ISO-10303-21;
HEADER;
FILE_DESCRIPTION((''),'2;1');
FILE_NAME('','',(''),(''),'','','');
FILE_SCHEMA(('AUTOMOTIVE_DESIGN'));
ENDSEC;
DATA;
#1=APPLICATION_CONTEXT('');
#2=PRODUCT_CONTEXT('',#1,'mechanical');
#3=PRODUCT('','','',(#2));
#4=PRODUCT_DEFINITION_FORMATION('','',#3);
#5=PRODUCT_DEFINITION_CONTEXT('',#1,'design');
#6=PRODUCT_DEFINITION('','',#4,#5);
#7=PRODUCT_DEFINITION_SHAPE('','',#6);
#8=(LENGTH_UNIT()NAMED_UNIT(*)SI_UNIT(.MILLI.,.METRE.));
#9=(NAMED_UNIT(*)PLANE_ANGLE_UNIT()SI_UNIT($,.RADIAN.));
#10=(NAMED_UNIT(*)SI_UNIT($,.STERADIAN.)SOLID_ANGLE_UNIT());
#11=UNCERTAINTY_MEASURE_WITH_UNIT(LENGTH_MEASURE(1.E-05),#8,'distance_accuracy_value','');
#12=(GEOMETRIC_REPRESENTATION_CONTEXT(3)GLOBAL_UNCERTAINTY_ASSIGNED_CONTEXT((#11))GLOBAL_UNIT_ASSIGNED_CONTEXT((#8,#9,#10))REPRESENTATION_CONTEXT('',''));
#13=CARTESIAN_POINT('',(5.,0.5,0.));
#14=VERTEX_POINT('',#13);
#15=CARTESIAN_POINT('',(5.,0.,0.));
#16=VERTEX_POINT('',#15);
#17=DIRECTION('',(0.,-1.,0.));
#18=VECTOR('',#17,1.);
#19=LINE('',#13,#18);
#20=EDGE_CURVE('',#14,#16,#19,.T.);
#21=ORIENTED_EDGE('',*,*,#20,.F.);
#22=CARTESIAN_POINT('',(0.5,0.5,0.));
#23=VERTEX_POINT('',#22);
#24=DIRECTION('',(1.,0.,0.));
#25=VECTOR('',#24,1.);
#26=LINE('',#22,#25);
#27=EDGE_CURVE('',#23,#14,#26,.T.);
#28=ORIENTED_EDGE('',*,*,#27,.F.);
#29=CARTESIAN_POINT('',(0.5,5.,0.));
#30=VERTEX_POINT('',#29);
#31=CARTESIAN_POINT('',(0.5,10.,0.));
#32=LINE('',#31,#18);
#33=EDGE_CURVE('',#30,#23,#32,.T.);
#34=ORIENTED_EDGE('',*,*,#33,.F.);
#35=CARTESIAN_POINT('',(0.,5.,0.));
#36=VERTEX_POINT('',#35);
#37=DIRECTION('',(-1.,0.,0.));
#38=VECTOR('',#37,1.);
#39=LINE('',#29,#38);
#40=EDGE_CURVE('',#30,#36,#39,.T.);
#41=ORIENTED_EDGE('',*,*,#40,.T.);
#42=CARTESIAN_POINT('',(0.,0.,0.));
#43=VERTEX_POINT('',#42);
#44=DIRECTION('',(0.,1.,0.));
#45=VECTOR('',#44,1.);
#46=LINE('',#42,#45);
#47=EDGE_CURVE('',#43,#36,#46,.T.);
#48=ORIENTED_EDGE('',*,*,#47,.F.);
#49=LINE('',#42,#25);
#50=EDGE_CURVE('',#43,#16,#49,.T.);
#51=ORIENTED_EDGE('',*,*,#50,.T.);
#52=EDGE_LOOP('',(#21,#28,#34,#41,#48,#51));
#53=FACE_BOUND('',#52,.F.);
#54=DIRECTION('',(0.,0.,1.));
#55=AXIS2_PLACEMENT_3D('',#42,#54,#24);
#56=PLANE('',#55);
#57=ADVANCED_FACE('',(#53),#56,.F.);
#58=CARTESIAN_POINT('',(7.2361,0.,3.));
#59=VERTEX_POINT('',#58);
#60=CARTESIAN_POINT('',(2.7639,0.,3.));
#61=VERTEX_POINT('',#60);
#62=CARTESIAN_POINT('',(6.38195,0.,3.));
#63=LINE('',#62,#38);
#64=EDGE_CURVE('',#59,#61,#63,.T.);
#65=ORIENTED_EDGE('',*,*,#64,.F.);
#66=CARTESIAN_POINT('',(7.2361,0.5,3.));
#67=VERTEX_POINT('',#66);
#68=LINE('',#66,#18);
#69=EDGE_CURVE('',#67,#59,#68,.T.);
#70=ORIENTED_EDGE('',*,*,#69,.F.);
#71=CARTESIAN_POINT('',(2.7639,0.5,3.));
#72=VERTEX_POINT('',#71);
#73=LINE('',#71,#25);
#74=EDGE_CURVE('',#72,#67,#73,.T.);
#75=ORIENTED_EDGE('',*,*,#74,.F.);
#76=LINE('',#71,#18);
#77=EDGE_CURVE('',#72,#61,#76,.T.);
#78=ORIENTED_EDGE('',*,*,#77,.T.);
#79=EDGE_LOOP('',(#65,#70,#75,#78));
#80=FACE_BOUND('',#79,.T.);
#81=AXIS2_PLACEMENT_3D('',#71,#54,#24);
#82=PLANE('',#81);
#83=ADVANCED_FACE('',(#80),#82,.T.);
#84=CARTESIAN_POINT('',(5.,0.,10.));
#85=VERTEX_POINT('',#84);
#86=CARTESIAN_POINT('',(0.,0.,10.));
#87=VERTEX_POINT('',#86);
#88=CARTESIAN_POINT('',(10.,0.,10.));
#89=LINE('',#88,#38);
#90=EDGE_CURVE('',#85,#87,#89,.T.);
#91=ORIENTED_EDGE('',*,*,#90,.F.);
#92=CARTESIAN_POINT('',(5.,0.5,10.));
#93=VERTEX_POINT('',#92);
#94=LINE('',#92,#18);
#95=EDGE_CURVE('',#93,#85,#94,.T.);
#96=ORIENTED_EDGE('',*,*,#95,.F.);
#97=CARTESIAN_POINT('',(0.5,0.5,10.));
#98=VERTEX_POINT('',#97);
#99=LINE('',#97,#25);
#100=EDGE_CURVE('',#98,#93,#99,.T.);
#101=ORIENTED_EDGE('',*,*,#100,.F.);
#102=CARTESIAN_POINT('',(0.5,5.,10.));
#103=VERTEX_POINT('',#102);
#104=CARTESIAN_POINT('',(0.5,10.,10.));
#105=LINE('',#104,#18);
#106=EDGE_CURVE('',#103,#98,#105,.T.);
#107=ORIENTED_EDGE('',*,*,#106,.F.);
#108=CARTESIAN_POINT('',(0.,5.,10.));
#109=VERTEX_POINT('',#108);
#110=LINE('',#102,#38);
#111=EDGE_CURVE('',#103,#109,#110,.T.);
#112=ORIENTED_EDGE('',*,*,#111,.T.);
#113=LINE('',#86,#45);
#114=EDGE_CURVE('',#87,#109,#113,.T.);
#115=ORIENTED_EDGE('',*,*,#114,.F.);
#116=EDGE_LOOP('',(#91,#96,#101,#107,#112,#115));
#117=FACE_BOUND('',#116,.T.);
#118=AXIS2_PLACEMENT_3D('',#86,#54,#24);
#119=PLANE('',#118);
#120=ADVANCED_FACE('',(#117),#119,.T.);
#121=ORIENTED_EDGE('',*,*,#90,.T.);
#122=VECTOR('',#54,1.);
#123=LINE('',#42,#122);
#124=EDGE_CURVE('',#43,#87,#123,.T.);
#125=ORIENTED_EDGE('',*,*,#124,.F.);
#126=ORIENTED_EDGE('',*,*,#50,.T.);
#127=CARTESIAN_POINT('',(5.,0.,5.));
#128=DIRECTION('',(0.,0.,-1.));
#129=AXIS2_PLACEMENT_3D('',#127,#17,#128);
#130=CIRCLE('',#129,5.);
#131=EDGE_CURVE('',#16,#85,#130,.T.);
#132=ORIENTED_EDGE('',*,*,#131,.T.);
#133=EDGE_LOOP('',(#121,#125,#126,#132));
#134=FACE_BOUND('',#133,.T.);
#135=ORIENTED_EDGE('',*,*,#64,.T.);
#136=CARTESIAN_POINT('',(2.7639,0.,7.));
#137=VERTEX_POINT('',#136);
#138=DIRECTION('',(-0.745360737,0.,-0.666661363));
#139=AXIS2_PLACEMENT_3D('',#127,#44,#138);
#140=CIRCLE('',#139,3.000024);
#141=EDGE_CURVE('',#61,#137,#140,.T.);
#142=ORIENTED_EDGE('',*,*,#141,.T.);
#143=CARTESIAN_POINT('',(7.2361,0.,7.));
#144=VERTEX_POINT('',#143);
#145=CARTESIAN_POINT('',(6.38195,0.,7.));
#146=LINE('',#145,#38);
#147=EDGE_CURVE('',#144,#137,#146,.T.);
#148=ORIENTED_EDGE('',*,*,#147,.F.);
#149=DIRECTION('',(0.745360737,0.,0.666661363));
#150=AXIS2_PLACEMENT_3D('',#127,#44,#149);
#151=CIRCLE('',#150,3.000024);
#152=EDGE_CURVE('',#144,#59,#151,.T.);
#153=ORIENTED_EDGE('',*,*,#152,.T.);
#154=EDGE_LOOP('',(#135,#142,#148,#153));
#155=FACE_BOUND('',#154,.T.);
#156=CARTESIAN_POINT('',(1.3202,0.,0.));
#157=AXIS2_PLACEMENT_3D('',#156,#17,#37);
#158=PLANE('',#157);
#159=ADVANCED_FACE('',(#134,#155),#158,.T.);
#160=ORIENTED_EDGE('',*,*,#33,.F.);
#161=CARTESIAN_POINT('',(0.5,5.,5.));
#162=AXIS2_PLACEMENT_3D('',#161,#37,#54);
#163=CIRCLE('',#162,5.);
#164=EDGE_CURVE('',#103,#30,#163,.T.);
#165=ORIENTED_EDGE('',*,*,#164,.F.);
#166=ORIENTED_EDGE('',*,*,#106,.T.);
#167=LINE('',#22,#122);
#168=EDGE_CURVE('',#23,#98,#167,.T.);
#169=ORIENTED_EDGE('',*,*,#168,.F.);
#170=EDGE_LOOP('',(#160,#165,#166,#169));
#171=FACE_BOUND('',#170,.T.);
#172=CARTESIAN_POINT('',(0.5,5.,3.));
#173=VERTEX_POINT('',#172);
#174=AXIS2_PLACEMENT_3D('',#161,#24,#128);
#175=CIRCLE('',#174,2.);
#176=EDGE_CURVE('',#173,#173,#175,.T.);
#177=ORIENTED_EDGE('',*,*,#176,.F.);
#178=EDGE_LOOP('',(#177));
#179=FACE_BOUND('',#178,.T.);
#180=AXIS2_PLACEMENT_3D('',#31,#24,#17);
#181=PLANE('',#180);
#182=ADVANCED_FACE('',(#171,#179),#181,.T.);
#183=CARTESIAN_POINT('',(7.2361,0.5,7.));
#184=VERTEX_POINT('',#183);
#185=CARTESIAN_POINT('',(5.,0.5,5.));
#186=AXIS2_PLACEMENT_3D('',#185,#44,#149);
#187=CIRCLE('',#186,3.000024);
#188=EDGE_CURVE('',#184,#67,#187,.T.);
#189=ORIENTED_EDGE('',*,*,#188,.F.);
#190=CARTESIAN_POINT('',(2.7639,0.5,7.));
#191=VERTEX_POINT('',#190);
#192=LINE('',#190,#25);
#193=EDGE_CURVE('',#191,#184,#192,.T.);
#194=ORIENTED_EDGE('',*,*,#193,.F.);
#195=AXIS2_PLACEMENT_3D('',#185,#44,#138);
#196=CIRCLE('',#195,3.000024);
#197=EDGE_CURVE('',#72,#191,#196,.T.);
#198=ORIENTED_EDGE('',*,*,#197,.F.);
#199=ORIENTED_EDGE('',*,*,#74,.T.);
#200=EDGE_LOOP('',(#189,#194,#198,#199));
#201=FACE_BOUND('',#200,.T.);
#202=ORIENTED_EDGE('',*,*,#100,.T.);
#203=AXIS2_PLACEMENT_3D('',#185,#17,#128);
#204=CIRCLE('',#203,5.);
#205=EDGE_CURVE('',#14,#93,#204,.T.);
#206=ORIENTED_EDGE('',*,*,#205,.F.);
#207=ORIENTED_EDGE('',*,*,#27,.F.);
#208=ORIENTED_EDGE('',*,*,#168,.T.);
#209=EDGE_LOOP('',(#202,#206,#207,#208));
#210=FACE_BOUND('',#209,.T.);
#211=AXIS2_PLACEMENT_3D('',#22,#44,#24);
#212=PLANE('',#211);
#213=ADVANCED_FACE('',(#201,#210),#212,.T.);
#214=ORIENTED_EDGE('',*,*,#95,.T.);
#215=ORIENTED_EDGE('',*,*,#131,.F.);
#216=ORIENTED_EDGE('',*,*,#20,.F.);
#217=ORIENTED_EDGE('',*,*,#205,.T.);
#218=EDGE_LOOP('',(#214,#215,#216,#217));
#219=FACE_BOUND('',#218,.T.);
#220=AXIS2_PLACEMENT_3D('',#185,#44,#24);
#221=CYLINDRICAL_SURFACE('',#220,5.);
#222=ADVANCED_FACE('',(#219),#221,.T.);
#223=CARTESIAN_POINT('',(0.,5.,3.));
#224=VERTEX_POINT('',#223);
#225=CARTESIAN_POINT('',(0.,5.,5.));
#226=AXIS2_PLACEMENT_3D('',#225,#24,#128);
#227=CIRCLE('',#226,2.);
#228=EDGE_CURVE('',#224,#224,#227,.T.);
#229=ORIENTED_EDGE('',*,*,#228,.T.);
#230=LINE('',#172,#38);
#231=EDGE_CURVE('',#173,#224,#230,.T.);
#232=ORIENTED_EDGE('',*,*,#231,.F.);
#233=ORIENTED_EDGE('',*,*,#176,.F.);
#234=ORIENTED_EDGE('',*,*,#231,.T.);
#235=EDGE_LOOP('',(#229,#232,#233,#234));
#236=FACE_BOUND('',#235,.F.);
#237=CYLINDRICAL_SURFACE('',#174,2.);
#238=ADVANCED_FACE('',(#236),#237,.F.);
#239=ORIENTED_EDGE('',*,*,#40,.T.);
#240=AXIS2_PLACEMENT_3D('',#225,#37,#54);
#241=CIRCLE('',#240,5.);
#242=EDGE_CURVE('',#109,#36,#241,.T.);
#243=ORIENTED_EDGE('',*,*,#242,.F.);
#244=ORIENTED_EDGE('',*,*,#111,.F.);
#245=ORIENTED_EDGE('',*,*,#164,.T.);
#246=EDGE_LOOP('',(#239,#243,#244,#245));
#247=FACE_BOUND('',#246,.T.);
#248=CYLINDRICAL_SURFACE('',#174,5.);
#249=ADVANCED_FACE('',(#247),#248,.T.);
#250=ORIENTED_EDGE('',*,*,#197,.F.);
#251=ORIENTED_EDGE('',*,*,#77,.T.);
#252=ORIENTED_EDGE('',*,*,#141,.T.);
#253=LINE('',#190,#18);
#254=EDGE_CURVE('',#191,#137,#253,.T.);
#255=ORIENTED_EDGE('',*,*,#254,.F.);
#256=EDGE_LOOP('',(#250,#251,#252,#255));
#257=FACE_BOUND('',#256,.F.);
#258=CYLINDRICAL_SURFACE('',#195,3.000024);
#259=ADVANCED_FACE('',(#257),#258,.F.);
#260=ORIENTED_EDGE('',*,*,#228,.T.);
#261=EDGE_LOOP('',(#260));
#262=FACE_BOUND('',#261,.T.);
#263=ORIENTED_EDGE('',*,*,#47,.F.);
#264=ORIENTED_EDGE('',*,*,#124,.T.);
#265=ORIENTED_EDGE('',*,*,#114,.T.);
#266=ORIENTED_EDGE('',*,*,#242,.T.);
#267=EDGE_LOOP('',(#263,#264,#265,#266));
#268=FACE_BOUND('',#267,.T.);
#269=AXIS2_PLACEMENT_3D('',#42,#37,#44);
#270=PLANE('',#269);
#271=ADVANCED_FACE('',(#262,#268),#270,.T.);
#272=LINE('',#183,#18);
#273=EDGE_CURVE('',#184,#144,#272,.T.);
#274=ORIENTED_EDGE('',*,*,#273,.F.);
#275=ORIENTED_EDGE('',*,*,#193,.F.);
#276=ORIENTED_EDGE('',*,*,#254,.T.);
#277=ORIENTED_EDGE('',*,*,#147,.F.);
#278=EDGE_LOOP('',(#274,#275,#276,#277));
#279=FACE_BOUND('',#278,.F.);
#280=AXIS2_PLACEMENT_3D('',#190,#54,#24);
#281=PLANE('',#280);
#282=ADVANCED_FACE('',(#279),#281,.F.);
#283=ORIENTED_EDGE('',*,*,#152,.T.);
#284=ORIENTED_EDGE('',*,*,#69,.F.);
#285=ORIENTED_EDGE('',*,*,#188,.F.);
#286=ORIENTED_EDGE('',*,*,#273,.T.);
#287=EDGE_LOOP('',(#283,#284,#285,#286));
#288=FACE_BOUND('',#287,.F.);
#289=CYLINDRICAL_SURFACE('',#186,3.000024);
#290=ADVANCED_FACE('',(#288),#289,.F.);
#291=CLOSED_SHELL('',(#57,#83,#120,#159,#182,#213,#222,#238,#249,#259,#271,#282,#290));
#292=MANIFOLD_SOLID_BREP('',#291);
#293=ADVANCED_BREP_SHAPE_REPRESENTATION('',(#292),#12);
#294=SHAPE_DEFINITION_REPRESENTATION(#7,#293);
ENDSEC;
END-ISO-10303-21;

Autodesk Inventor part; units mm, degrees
ref_plane "YZ Plane" through (0, 0, 0) normal (1, 0, 0) x (0, 1, 0)
ref_plane "XZ Plane" through (0, 0, 0) normal (0, 1, 0) x (-1, 0, 0)
ref_plane "XY Plane" through (0, 0, 0) normal (0, 0, 1) x (1, 0, 0)
sketch "Náčrt1" plane through (0, 0, 0) normal (0, 0, 1) x (1, 0, 0)
  line L0 (1.3202, 0) -> (0, 0)
  line L1 (0, 0) -> (0, 10)
  line L2 (0, 10) -> (0.5, 10)
  line L3 (0.5, 10) -> (0.5, 0.5)
  line L4 (0.5, 0.5) -> (10, 0.5)
  line L5 (10, 0.5) -> (10, 0)
  line L6 (10, 0) -> (1.3202, 0)
  point P0 (10, 0.25)
  point P1 (0.25, 10)
  dimension "d0" = 0.5
  dimension "d1" = 0.5
  dimension "d2" = 10
  dimension "d3" = 10
extrude "Vysunutí1" add sketch "Náčrt1" along normal blind 10
sketch "Náčrt2" plane through (0.5, 0.5, 0) normal (0, 1, 0) x (1, 0, 0)
  line L0 (9.5, 0) -> (0, 0) projected
  line L1 (9.5, 0) -> (9.5, -10) projected
  line L2 (2.2639, -3) -> (6.7361, -3)
  line L3 (2.2639, -7) -> (6.7361, -7)
  arc A0 (2.2639, -3) -> (2.2639, -7) centre (4.5, -5) ccw
  arc A1 (6.7361, -7) -> (6.7361, -3) centre (4.5, -5) ccw
  point P0 (-0.5, 0)
  point P1 (4.8669, -7)
  dimension "d7" = 5
  dimension "d8" = 5
  dimension "d9" = 2
  dimension "d10" = 4
extrude "Vysunutí2" cut sketch "Náčrt2" against normal through all
pattern_linear "Obdélníkové pole1" count 10 spacing 10 along (0, 0, 1) of "Vysunutí2"
sketch "Náčrt4" plane through (0.5, 0.5, 0) normal (1, 0, 0) x (0, 0, -1)
  line L0 (0, 0) -> (0, 9.5) projected
  line L1 (0, 9.5) -> (-10, 9.5) projected
  line L2 (-10, 0) -> (-10, 9.5) projected
  circle A0 centre (-5, 4.5) radius 2
  point P0 (0, -0.5)
  point P1 (-5, 9.5)
  point P2 (0, 4.5)
  point P3 (-10, 4.5)
  point P4 (-95, 9.5)
  dimension "d30" = 4
extrude "Vysunutí4" cut sketch "Náčrt4" against normal blind 10
sketch "Náčrt5" plane through (0.5, 0.5, 10) normal (1, 0, 0) x (0, 0, -1)
  circle A0 centre (5, 4.5) radius 2
  line L0 (10, 9.5) -> (0, 9.5) projected
  line L1 (0, 0) -> (0, 9.5) projected
  point P0 (10, -0.5)
  point P1 (95, 9.5)
  point P2 (5, 9.5)
  point P3 (0, 4.5)
  dimension "d33" = 4
  dimension "d34" = 5
  dimension "d35" = 5
extrude "Vysunutí5" cut sketch "Náčrt5" against normal blind 10
pattern_linear "Obdélníkové pole3" count 10 spacing 10 along (0, 0, -1) of "Vysunutí5"
sketch "Náčrt6" plane through (0.5, 0.5, 0) normal (0, 1, 0) x (1, 0, 0)
  circle A0 centre (4.5, -5) radius 5
  line L0 (9.5, 0) -> (9.5, -10) projected
  line L1 (9.5, -10) -> (0, -10) projected
  line L2 (-0.5, 0) -> (9.5, 0) projected
  line L3 (9.5, 0) -> (0, 0) projected
  line L4 (4.5, 0) -> (9.5, 0)
  line L5 (9.5, 0) -> (9.5, -10)
  point P0 (4.5, 0)
  point P1 (9.5, -5)
  point P2 (4.5, -10)
  dimension "d44" = 10
  dimension "d45" = 5
  dimension "d46" = 5
extrude "Vysunutí6" cut sketch "Náčrt6" against normal blind 10 contours L0 L1 A0 | A0 L2 L0
sketch "Náčrt7" plane through (0.5, 0.5, 0) normal (1, 0, 0) x (0, 0, -1)
  circle A0 centre (-5, 4.5) radius 5
  line L0 (0, 0) -> (0, 9.5) projected
  line L1 (-10, 0) -> (-10, 9.5) projected
  line L2 (0, 9.5) -> (-10, 9.5) projected
  point P0 (0, -0.5)
  point P1 (-5, 9.5)
  point P2 (0, 4.5)
  point P3 (-10, 4.5)
  dimension "d49" = 10
  dimension "d50" = 5
  dimension "d51" = 5
  dimension "d52" = 5
extrude "Vysunutí7" cut sketch "Náčrt7" against normal blind 10 contours A0 L2 L0 | A0 L1 L2
properties part number "1001"
